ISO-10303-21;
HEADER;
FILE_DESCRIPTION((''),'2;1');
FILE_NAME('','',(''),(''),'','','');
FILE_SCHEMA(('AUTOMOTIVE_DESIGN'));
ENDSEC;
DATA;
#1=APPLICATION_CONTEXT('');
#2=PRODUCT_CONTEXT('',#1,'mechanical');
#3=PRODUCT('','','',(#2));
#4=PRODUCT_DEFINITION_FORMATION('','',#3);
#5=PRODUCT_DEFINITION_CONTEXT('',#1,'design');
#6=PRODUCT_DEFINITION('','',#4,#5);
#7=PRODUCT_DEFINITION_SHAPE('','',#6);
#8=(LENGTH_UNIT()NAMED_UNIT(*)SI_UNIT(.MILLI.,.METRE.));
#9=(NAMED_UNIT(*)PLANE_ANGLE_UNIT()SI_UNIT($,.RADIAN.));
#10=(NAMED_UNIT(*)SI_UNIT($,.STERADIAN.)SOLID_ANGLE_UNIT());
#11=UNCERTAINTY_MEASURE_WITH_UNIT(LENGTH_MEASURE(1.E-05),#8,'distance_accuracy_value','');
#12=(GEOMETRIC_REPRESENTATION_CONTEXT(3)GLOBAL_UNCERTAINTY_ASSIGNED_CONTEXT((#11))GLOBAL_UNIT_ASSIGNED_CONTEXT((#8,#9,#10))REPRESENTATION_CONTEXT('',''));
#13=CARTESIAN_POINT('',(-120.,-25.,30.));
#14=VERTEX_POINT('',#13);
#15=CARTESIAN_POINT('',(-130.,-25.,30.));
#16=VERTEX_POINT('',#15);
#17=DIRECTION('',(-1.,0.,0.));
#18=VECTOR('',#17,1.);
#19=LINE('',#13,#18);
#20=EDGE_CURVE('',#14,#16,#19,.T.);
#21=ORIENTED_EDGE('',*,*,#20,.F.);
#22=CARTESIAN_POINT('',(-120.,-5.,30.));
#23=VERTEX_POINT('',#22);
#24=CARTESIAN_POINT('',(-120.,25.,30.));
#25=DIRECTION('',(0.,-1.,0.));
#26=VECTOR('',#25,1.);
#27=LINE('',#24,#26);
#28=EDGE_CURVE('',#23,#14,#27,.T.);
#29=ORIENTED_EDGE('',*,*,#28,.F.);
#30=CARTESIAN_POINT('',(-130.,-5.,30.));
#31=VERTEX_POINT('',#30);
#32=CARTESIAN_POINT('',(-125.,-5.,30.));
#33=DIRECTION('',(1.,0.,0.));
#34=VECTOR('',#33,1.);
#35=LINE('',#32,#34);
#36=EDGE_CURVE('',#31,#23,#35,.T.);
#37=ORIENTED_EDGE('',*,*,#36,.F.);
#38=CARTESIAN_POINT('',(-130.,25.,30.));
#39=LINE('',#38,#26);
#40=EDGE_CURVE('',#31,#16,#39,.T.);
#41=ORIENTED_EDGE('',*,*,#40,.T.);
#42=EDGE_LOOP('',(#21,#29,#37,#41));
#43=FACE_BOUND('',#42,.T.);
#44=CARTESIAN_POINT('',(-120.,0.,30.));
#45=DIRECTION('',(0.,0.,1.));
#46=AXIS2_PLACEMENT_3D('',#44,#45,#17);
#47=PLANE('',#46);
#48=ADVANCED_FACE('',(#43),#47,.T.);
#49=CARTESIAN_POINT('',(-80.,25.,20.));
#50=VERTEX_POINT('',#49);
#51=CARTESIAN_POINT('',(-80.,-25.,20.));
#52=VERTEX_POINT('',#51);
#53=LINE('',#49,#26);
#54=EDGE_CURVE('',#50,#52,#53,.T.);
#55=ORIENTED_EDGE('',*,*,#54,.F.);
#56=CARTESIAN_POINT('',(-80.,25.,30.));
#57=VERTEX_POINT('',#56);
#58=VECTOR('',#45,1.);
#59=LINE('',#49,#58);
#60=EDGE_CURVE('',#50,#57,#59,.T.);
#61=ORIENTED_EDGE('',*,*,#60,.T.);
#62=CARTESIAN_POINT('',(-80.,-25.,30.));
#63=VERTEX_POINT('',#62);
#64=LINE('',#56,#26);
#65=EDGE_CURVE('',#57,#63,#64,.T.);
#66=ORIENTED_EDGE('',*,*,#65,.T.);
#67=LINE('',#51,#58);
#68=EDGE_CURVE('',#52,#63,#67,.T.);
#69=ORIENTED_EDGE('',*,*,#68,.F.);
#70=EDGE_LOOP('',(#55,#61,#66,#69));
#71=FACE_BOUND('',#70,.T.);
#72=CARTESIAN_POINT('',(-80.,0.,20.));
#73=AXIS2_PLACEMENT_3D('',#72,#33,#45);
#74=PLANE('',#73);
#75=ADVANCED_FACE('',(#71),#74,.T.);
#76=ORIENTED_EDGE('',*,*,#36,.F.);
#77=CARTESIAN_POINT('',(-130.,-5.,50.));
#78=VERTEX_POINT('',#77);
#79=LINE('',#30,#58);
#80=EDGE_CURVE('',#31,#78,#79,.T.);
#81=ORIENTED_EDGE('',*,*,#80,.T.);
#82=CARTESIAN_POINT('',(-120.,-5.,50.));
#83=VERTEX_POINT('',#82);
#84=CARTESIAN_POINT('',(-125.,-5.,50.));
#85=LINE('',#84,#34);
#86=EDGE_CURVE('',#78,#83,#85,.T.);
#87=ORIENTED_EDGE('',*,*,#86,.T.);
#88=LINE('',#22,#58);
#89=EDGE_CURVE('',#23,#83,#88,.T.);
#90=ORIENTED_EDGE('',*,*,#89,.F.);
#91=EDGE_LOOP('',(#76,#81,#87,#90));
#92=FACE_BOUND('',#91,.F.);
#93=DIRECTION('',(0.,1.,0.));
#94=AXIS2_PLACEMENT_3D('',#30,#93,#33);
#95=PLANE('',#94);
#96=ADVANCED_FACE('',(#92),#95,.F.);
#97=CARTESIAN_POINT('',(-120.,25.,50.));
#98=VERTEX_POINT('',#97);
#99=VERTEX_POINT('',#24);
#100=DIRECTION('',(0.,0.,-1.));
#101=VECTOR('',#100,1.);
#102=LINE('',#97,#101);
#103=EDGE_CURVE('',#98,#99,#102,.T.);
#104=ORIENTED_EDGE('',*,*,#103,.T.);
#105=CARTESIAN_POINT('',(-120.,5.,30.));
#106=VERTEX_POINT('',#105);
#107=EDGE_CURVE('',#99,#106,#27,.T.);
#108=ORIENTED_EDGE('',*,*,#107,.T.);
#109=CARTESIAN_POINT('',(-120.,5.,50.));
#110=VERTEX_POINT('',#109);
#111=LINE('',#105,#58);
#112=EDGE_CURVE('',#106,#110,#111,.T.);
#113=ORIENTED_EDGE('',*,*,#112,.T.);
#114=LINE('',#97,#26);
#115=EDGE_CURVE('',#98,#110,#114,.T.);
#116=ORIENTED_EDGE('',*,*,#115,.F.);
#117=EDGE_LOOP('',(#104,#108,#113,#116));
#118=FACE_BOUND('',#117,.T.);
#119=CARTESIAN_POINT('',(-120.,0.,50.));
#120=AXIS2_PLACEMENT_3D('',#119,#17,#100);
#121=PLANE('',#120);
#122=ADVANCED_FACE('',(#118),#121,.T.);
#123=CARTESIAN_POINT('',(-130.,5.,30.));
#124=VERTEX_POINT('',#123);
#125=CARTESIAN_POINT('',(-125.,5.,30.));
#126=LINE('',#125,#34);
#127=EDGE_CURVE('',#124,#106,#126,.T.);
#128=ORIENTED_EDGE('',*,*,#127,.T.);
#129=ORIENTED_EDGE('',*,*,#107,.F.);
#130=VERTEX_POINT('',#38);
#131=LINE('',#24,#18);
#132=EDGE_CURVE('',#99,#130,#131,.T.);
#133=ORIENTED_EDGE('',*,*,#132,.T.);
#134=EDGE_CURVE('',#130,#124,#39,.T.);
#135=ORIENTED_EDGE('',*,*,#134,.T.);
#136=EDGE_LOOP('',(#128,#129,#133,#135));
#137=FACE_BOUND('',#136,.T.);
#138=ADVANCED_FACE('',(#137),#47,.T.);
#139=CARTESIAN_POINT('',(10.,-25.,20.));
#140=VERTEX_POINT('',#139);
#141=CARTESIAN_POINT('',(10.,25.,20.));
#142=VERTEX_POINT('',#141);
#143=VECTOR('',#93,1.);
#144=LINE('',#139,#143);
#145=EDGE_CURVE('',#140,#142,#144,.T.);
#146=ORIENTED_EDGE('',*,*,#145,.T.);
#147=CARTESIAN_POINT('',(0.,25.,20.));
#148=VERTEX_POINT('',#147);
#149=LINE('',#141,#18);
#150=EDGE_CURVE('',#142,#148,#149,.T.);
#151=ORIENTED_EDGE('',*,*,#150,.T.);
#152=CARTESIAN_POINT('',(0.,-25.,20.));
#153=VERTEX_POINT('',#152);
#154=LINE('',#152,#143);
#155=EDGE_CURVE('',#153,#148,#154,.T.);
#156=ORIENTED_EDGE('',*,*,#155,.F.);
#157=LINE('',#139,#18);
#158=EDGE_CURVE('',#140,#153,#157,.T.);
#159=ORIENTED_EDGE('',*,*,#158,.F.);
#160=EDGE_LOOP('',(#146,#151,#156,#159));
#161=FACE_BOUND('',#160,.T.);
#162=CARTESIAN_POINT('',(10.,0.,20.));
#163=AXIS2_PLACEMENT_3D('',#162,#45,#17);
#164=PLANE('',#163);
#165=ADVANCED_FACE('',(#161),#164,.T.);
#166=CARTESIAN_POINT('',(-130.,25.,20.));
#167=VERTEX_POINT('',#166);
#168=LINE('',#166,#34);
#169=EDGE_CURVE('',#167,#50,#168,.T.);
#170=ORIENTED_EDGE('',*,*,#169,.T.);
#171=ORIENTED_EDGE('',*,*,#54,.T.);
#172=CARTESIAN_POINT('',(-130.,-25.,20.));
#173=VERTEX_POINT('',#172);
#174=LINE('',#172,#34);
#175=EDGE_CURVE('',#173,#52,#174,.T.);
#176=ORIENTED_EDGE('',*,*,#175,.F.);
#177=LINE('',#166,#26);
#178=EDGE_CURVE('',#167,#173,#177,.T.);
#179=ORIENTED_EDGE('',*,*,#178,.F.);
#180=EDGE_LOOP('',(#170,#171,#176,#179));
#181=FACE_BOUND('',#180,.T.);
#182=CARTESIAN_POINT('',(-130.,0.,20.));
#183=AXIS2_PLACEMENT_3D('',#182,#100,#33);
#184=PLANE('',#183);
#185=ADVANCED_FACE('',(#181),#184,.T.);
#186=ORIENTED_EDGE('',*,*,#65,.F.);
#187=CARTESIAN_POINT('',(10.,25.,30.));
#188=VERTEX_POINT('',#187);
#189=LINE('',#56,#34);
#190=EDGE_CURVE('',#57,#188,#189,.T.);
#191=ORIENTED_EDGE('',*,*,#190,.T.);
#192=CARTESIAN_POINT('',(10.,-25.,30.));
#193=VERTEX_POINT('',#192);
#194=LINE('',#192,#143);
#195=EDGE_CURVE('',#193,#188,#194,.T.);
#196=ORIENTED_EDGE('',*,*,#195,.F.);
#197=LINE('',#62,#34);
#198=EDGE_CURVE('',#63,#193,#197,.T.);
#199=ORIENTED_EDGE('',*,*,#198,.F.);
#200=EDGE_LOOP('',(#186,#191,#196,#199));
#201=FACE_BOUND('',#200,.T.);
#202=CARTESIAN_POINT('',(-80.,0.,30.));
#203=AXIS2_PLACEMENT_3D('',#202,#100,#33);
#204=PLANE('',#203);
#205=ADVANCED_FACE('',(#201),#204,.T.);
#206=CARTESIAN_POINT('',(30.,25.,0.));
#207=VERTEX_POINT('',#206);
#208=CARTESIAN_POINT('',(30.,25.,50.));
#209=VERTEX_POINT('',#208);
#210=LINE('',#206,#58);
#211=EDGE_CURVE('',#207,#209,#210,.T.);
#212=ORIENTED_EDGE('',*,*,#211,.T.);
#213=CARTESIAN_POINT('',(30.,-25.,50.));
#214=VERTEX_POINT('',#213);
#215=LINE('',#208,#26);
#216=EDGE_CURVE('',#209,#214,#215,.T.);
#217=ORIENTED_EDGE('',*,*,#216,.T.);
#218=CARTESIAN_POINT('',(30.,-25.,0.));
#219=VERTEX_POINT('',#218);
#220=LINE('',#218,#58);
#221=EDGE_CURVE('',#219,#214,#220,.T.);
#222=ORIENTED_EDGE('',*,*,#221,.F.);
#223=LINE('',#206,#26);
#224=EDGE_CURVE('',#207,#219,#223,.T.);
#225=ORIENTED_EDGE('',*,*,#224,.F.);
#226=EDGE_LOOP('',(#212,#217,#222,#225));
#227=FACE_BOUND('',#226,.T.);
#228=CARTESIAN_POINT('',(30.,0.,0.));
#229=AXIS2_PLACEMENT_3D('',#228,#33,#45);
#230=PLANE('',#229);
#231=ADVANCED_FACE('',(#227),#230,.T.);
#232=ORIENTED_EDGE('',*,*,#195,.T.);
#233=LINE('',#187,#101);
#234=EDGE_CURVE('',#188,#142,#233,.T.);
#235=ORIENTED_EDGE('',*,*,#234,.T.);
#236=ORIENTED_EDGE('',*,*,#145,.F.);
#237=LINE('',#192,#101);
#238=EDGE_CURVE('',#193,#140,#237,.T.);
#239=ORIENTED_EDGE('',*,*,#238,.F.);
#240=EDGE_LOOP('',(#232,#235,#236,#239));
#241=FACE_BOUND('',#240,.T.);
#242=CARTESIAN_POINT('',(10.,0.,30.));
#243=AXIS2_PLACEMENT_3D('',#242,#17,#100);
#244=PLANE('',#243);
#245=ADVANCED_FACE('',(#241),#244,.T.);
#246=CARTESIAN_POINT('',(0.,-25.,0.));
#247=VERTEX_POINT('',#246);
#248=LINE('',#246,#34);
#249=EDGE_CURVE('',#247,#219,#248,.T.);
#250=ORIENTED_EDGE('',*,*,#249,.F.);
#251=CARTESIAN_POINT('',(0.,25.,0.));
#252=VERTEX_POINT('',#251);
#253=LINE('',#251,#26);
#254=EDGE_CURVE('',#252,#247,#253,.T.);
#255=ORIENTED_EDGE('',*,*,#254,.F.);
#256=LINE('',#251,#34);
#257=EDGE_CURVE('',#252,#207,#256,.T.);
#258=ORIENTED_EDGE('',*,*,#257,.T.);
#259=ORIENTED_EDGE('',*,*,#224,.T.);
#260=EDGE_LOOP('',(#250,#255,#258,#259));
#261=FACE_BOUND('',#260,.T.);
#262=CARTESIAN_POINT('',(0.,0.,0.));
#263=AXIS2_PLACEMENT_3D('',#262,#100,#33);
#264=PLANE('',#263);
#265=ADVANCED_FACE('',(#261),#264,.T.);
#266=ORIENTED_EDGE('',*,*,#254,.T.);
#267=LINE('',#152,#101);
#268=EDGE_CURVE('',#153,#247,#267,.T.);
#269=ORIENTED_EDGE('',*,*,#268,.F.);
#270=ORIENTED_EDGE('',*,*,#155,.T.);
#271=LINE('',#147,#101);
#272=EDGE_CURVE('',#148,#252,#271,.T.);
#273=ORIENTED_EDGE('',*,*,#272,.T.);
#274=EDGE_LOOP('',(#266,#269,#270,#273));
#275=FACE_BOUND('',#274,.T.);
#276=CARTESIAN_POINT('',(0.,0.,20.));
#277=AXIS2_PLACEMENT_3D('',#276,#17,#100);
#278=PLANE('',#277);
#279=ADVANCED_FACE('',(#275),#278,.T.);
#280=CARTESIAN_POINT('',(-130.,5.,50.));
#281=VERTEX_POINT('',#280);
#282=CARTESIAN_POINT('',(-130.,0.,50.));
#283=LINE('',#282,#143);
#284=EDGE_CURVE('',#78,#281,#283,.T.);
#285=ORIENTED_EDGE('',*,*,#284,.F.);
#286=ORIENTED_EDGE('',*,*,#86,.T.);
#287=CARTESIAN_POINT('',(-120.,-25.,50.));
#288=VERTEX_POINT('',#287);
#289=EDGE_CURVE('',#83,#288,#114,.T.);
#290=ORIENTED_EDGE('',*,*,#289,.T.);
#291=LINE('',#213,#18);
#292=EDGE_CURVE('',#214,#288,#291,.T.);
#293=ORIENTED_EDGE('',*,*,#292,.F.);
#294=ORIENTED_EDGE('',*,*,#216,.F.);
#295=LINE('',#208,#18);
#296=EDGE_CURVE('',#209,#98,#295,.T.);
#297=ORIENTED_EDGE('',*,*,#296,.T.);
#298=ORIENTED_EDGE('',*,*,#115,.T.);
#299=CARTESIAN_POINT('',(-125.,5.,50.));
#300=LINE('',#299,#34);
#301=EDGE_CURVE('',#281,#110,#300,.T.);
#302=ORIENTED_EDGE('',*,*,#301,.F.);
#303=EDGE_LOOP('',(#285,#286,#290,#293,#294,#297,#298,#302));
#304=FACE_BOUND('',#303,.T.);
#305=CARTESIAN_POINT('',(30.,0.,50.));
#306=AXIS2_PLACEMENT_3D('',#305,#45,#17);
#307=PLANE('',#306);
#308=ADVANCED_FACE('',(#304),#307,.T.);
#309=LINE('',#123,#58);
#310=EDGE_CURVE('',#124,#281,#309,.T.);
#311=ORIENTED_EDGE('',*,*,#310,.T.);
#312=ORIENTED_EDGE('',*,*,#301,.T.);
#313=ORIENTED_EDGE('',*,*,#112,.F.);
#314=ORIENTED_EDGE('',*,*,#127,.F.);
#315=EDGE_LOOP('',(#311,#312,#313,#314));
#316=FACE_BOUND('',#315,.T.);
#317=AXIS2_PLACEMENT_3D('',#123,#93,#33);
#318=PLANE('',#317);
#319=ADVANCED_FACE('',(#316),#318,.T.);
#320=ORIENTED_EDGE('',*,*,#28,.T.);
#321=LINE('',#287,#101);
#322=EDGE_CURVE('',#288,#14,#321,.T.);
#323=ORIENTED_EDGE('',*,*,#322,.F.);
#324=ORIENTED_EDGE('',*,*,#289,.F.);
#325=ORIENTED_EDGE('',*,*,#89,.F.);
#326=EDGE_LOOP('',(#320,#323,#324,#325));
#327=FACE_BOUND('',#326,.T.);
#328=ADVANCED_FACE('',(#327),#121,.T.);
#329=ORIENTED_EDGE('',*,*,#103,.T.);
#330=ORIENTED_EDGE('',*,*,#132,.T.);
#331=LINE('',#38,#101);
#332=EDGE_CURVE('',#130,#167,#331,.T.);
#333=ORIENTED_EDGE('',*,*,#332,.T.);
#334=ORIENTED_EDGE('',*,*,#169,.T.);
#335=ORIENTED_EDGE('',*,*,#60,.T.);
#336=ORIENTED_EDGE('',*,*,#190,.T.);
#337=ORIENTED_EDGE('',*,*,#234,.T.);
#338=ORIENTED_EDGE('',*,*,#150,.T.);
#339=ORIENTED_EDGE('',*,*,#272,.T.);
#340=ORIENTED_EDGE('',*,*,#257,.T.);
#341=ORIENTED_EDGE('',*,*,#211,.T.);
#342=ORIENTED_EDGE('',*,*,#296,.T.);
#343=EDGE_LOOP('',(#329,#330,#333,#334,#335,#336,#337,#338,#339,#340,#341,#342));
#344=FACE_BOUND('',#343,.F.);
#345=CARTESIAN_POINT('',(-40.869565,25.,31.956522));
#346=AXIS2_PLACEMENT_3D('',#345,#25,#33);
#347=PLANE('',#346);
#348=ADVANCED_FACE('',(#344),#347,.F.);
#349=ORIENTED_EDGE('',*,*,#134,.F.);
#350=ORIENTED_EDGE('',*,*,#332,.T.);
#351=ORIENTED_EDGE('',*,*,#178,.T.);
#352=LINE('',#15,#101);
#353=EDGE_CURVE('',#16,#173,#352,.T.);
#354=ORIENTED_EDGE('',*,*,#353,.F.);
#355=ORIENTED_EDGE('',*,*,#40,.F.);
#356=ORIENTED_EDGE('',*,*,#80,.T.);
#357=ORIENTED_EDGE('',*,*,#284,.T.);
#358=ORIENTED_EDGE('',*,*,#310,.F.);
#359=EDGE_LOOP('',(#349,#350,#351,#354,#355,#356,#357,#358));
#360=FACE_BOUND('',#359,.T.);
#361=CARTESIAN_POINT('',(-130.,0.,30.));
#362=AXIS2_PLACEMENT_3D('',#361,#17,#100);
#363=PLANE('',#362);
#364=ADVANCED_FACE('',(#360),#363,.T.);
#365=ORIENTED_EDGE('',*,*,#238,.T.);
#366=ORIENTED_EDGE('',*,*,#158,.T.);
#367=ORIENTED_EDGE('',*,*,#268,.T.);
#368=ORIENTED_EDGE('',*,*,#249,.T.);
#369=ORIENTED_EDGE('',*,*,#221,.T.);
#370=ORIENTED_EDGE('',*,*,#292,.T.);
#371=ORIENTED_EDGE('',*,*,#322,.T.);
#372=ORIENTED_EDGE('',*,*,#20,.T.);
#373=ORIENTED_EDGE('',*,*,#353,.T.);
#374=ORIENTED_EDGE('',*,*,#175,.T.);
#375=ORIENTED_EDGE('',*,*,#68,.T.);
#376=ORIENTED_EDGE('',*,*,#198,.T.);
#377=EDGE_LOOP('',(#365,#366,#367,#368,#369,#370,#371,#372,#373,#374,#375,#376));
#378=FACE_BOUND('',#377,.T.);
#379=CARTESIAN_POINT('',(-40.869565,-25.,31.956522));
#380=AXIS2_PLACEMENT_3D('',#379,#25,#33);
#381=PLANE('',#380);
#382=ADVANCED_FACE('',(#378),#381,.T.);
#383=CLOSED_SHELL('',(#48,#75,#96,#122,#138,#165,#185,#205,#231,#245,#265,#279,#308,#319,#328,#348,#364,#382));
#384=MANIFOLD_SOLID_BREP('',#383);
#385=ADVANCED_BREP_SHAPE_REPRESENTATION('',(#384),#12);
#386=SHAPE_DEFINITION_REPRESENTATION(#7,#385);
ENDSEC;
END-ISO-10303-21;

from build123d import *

# Parameters (mm, degrees)
F1_DEPTH = 25
F2_W     = 10
F2_H     = 10
F3_DEPTH = 20


with BuildPart() as f1:
    # F0 (on Front) → F1 (new body, symmetric)
    with BuildSketch(Plane.XZ):
        Polygon((0, 20), (0, 0), (30, 0), (30, 50), (-120, 50), (-120, 30), (-130, 30), (-130, 20), (-80, 20), (-80, 30), (10, 30), (10, 20), align=None)
    extrude(amount=F1_DEPTH, both=True)

    # F2 (on face) → F3 (join, through all)
    with BuildSketch(Plane.XY.offset(30)):
        with Locations((-125, 0)):
            Rectangle(F2_W, F2_H)
    extrude(amount=F3_DEPTH)


solid = f1.part
